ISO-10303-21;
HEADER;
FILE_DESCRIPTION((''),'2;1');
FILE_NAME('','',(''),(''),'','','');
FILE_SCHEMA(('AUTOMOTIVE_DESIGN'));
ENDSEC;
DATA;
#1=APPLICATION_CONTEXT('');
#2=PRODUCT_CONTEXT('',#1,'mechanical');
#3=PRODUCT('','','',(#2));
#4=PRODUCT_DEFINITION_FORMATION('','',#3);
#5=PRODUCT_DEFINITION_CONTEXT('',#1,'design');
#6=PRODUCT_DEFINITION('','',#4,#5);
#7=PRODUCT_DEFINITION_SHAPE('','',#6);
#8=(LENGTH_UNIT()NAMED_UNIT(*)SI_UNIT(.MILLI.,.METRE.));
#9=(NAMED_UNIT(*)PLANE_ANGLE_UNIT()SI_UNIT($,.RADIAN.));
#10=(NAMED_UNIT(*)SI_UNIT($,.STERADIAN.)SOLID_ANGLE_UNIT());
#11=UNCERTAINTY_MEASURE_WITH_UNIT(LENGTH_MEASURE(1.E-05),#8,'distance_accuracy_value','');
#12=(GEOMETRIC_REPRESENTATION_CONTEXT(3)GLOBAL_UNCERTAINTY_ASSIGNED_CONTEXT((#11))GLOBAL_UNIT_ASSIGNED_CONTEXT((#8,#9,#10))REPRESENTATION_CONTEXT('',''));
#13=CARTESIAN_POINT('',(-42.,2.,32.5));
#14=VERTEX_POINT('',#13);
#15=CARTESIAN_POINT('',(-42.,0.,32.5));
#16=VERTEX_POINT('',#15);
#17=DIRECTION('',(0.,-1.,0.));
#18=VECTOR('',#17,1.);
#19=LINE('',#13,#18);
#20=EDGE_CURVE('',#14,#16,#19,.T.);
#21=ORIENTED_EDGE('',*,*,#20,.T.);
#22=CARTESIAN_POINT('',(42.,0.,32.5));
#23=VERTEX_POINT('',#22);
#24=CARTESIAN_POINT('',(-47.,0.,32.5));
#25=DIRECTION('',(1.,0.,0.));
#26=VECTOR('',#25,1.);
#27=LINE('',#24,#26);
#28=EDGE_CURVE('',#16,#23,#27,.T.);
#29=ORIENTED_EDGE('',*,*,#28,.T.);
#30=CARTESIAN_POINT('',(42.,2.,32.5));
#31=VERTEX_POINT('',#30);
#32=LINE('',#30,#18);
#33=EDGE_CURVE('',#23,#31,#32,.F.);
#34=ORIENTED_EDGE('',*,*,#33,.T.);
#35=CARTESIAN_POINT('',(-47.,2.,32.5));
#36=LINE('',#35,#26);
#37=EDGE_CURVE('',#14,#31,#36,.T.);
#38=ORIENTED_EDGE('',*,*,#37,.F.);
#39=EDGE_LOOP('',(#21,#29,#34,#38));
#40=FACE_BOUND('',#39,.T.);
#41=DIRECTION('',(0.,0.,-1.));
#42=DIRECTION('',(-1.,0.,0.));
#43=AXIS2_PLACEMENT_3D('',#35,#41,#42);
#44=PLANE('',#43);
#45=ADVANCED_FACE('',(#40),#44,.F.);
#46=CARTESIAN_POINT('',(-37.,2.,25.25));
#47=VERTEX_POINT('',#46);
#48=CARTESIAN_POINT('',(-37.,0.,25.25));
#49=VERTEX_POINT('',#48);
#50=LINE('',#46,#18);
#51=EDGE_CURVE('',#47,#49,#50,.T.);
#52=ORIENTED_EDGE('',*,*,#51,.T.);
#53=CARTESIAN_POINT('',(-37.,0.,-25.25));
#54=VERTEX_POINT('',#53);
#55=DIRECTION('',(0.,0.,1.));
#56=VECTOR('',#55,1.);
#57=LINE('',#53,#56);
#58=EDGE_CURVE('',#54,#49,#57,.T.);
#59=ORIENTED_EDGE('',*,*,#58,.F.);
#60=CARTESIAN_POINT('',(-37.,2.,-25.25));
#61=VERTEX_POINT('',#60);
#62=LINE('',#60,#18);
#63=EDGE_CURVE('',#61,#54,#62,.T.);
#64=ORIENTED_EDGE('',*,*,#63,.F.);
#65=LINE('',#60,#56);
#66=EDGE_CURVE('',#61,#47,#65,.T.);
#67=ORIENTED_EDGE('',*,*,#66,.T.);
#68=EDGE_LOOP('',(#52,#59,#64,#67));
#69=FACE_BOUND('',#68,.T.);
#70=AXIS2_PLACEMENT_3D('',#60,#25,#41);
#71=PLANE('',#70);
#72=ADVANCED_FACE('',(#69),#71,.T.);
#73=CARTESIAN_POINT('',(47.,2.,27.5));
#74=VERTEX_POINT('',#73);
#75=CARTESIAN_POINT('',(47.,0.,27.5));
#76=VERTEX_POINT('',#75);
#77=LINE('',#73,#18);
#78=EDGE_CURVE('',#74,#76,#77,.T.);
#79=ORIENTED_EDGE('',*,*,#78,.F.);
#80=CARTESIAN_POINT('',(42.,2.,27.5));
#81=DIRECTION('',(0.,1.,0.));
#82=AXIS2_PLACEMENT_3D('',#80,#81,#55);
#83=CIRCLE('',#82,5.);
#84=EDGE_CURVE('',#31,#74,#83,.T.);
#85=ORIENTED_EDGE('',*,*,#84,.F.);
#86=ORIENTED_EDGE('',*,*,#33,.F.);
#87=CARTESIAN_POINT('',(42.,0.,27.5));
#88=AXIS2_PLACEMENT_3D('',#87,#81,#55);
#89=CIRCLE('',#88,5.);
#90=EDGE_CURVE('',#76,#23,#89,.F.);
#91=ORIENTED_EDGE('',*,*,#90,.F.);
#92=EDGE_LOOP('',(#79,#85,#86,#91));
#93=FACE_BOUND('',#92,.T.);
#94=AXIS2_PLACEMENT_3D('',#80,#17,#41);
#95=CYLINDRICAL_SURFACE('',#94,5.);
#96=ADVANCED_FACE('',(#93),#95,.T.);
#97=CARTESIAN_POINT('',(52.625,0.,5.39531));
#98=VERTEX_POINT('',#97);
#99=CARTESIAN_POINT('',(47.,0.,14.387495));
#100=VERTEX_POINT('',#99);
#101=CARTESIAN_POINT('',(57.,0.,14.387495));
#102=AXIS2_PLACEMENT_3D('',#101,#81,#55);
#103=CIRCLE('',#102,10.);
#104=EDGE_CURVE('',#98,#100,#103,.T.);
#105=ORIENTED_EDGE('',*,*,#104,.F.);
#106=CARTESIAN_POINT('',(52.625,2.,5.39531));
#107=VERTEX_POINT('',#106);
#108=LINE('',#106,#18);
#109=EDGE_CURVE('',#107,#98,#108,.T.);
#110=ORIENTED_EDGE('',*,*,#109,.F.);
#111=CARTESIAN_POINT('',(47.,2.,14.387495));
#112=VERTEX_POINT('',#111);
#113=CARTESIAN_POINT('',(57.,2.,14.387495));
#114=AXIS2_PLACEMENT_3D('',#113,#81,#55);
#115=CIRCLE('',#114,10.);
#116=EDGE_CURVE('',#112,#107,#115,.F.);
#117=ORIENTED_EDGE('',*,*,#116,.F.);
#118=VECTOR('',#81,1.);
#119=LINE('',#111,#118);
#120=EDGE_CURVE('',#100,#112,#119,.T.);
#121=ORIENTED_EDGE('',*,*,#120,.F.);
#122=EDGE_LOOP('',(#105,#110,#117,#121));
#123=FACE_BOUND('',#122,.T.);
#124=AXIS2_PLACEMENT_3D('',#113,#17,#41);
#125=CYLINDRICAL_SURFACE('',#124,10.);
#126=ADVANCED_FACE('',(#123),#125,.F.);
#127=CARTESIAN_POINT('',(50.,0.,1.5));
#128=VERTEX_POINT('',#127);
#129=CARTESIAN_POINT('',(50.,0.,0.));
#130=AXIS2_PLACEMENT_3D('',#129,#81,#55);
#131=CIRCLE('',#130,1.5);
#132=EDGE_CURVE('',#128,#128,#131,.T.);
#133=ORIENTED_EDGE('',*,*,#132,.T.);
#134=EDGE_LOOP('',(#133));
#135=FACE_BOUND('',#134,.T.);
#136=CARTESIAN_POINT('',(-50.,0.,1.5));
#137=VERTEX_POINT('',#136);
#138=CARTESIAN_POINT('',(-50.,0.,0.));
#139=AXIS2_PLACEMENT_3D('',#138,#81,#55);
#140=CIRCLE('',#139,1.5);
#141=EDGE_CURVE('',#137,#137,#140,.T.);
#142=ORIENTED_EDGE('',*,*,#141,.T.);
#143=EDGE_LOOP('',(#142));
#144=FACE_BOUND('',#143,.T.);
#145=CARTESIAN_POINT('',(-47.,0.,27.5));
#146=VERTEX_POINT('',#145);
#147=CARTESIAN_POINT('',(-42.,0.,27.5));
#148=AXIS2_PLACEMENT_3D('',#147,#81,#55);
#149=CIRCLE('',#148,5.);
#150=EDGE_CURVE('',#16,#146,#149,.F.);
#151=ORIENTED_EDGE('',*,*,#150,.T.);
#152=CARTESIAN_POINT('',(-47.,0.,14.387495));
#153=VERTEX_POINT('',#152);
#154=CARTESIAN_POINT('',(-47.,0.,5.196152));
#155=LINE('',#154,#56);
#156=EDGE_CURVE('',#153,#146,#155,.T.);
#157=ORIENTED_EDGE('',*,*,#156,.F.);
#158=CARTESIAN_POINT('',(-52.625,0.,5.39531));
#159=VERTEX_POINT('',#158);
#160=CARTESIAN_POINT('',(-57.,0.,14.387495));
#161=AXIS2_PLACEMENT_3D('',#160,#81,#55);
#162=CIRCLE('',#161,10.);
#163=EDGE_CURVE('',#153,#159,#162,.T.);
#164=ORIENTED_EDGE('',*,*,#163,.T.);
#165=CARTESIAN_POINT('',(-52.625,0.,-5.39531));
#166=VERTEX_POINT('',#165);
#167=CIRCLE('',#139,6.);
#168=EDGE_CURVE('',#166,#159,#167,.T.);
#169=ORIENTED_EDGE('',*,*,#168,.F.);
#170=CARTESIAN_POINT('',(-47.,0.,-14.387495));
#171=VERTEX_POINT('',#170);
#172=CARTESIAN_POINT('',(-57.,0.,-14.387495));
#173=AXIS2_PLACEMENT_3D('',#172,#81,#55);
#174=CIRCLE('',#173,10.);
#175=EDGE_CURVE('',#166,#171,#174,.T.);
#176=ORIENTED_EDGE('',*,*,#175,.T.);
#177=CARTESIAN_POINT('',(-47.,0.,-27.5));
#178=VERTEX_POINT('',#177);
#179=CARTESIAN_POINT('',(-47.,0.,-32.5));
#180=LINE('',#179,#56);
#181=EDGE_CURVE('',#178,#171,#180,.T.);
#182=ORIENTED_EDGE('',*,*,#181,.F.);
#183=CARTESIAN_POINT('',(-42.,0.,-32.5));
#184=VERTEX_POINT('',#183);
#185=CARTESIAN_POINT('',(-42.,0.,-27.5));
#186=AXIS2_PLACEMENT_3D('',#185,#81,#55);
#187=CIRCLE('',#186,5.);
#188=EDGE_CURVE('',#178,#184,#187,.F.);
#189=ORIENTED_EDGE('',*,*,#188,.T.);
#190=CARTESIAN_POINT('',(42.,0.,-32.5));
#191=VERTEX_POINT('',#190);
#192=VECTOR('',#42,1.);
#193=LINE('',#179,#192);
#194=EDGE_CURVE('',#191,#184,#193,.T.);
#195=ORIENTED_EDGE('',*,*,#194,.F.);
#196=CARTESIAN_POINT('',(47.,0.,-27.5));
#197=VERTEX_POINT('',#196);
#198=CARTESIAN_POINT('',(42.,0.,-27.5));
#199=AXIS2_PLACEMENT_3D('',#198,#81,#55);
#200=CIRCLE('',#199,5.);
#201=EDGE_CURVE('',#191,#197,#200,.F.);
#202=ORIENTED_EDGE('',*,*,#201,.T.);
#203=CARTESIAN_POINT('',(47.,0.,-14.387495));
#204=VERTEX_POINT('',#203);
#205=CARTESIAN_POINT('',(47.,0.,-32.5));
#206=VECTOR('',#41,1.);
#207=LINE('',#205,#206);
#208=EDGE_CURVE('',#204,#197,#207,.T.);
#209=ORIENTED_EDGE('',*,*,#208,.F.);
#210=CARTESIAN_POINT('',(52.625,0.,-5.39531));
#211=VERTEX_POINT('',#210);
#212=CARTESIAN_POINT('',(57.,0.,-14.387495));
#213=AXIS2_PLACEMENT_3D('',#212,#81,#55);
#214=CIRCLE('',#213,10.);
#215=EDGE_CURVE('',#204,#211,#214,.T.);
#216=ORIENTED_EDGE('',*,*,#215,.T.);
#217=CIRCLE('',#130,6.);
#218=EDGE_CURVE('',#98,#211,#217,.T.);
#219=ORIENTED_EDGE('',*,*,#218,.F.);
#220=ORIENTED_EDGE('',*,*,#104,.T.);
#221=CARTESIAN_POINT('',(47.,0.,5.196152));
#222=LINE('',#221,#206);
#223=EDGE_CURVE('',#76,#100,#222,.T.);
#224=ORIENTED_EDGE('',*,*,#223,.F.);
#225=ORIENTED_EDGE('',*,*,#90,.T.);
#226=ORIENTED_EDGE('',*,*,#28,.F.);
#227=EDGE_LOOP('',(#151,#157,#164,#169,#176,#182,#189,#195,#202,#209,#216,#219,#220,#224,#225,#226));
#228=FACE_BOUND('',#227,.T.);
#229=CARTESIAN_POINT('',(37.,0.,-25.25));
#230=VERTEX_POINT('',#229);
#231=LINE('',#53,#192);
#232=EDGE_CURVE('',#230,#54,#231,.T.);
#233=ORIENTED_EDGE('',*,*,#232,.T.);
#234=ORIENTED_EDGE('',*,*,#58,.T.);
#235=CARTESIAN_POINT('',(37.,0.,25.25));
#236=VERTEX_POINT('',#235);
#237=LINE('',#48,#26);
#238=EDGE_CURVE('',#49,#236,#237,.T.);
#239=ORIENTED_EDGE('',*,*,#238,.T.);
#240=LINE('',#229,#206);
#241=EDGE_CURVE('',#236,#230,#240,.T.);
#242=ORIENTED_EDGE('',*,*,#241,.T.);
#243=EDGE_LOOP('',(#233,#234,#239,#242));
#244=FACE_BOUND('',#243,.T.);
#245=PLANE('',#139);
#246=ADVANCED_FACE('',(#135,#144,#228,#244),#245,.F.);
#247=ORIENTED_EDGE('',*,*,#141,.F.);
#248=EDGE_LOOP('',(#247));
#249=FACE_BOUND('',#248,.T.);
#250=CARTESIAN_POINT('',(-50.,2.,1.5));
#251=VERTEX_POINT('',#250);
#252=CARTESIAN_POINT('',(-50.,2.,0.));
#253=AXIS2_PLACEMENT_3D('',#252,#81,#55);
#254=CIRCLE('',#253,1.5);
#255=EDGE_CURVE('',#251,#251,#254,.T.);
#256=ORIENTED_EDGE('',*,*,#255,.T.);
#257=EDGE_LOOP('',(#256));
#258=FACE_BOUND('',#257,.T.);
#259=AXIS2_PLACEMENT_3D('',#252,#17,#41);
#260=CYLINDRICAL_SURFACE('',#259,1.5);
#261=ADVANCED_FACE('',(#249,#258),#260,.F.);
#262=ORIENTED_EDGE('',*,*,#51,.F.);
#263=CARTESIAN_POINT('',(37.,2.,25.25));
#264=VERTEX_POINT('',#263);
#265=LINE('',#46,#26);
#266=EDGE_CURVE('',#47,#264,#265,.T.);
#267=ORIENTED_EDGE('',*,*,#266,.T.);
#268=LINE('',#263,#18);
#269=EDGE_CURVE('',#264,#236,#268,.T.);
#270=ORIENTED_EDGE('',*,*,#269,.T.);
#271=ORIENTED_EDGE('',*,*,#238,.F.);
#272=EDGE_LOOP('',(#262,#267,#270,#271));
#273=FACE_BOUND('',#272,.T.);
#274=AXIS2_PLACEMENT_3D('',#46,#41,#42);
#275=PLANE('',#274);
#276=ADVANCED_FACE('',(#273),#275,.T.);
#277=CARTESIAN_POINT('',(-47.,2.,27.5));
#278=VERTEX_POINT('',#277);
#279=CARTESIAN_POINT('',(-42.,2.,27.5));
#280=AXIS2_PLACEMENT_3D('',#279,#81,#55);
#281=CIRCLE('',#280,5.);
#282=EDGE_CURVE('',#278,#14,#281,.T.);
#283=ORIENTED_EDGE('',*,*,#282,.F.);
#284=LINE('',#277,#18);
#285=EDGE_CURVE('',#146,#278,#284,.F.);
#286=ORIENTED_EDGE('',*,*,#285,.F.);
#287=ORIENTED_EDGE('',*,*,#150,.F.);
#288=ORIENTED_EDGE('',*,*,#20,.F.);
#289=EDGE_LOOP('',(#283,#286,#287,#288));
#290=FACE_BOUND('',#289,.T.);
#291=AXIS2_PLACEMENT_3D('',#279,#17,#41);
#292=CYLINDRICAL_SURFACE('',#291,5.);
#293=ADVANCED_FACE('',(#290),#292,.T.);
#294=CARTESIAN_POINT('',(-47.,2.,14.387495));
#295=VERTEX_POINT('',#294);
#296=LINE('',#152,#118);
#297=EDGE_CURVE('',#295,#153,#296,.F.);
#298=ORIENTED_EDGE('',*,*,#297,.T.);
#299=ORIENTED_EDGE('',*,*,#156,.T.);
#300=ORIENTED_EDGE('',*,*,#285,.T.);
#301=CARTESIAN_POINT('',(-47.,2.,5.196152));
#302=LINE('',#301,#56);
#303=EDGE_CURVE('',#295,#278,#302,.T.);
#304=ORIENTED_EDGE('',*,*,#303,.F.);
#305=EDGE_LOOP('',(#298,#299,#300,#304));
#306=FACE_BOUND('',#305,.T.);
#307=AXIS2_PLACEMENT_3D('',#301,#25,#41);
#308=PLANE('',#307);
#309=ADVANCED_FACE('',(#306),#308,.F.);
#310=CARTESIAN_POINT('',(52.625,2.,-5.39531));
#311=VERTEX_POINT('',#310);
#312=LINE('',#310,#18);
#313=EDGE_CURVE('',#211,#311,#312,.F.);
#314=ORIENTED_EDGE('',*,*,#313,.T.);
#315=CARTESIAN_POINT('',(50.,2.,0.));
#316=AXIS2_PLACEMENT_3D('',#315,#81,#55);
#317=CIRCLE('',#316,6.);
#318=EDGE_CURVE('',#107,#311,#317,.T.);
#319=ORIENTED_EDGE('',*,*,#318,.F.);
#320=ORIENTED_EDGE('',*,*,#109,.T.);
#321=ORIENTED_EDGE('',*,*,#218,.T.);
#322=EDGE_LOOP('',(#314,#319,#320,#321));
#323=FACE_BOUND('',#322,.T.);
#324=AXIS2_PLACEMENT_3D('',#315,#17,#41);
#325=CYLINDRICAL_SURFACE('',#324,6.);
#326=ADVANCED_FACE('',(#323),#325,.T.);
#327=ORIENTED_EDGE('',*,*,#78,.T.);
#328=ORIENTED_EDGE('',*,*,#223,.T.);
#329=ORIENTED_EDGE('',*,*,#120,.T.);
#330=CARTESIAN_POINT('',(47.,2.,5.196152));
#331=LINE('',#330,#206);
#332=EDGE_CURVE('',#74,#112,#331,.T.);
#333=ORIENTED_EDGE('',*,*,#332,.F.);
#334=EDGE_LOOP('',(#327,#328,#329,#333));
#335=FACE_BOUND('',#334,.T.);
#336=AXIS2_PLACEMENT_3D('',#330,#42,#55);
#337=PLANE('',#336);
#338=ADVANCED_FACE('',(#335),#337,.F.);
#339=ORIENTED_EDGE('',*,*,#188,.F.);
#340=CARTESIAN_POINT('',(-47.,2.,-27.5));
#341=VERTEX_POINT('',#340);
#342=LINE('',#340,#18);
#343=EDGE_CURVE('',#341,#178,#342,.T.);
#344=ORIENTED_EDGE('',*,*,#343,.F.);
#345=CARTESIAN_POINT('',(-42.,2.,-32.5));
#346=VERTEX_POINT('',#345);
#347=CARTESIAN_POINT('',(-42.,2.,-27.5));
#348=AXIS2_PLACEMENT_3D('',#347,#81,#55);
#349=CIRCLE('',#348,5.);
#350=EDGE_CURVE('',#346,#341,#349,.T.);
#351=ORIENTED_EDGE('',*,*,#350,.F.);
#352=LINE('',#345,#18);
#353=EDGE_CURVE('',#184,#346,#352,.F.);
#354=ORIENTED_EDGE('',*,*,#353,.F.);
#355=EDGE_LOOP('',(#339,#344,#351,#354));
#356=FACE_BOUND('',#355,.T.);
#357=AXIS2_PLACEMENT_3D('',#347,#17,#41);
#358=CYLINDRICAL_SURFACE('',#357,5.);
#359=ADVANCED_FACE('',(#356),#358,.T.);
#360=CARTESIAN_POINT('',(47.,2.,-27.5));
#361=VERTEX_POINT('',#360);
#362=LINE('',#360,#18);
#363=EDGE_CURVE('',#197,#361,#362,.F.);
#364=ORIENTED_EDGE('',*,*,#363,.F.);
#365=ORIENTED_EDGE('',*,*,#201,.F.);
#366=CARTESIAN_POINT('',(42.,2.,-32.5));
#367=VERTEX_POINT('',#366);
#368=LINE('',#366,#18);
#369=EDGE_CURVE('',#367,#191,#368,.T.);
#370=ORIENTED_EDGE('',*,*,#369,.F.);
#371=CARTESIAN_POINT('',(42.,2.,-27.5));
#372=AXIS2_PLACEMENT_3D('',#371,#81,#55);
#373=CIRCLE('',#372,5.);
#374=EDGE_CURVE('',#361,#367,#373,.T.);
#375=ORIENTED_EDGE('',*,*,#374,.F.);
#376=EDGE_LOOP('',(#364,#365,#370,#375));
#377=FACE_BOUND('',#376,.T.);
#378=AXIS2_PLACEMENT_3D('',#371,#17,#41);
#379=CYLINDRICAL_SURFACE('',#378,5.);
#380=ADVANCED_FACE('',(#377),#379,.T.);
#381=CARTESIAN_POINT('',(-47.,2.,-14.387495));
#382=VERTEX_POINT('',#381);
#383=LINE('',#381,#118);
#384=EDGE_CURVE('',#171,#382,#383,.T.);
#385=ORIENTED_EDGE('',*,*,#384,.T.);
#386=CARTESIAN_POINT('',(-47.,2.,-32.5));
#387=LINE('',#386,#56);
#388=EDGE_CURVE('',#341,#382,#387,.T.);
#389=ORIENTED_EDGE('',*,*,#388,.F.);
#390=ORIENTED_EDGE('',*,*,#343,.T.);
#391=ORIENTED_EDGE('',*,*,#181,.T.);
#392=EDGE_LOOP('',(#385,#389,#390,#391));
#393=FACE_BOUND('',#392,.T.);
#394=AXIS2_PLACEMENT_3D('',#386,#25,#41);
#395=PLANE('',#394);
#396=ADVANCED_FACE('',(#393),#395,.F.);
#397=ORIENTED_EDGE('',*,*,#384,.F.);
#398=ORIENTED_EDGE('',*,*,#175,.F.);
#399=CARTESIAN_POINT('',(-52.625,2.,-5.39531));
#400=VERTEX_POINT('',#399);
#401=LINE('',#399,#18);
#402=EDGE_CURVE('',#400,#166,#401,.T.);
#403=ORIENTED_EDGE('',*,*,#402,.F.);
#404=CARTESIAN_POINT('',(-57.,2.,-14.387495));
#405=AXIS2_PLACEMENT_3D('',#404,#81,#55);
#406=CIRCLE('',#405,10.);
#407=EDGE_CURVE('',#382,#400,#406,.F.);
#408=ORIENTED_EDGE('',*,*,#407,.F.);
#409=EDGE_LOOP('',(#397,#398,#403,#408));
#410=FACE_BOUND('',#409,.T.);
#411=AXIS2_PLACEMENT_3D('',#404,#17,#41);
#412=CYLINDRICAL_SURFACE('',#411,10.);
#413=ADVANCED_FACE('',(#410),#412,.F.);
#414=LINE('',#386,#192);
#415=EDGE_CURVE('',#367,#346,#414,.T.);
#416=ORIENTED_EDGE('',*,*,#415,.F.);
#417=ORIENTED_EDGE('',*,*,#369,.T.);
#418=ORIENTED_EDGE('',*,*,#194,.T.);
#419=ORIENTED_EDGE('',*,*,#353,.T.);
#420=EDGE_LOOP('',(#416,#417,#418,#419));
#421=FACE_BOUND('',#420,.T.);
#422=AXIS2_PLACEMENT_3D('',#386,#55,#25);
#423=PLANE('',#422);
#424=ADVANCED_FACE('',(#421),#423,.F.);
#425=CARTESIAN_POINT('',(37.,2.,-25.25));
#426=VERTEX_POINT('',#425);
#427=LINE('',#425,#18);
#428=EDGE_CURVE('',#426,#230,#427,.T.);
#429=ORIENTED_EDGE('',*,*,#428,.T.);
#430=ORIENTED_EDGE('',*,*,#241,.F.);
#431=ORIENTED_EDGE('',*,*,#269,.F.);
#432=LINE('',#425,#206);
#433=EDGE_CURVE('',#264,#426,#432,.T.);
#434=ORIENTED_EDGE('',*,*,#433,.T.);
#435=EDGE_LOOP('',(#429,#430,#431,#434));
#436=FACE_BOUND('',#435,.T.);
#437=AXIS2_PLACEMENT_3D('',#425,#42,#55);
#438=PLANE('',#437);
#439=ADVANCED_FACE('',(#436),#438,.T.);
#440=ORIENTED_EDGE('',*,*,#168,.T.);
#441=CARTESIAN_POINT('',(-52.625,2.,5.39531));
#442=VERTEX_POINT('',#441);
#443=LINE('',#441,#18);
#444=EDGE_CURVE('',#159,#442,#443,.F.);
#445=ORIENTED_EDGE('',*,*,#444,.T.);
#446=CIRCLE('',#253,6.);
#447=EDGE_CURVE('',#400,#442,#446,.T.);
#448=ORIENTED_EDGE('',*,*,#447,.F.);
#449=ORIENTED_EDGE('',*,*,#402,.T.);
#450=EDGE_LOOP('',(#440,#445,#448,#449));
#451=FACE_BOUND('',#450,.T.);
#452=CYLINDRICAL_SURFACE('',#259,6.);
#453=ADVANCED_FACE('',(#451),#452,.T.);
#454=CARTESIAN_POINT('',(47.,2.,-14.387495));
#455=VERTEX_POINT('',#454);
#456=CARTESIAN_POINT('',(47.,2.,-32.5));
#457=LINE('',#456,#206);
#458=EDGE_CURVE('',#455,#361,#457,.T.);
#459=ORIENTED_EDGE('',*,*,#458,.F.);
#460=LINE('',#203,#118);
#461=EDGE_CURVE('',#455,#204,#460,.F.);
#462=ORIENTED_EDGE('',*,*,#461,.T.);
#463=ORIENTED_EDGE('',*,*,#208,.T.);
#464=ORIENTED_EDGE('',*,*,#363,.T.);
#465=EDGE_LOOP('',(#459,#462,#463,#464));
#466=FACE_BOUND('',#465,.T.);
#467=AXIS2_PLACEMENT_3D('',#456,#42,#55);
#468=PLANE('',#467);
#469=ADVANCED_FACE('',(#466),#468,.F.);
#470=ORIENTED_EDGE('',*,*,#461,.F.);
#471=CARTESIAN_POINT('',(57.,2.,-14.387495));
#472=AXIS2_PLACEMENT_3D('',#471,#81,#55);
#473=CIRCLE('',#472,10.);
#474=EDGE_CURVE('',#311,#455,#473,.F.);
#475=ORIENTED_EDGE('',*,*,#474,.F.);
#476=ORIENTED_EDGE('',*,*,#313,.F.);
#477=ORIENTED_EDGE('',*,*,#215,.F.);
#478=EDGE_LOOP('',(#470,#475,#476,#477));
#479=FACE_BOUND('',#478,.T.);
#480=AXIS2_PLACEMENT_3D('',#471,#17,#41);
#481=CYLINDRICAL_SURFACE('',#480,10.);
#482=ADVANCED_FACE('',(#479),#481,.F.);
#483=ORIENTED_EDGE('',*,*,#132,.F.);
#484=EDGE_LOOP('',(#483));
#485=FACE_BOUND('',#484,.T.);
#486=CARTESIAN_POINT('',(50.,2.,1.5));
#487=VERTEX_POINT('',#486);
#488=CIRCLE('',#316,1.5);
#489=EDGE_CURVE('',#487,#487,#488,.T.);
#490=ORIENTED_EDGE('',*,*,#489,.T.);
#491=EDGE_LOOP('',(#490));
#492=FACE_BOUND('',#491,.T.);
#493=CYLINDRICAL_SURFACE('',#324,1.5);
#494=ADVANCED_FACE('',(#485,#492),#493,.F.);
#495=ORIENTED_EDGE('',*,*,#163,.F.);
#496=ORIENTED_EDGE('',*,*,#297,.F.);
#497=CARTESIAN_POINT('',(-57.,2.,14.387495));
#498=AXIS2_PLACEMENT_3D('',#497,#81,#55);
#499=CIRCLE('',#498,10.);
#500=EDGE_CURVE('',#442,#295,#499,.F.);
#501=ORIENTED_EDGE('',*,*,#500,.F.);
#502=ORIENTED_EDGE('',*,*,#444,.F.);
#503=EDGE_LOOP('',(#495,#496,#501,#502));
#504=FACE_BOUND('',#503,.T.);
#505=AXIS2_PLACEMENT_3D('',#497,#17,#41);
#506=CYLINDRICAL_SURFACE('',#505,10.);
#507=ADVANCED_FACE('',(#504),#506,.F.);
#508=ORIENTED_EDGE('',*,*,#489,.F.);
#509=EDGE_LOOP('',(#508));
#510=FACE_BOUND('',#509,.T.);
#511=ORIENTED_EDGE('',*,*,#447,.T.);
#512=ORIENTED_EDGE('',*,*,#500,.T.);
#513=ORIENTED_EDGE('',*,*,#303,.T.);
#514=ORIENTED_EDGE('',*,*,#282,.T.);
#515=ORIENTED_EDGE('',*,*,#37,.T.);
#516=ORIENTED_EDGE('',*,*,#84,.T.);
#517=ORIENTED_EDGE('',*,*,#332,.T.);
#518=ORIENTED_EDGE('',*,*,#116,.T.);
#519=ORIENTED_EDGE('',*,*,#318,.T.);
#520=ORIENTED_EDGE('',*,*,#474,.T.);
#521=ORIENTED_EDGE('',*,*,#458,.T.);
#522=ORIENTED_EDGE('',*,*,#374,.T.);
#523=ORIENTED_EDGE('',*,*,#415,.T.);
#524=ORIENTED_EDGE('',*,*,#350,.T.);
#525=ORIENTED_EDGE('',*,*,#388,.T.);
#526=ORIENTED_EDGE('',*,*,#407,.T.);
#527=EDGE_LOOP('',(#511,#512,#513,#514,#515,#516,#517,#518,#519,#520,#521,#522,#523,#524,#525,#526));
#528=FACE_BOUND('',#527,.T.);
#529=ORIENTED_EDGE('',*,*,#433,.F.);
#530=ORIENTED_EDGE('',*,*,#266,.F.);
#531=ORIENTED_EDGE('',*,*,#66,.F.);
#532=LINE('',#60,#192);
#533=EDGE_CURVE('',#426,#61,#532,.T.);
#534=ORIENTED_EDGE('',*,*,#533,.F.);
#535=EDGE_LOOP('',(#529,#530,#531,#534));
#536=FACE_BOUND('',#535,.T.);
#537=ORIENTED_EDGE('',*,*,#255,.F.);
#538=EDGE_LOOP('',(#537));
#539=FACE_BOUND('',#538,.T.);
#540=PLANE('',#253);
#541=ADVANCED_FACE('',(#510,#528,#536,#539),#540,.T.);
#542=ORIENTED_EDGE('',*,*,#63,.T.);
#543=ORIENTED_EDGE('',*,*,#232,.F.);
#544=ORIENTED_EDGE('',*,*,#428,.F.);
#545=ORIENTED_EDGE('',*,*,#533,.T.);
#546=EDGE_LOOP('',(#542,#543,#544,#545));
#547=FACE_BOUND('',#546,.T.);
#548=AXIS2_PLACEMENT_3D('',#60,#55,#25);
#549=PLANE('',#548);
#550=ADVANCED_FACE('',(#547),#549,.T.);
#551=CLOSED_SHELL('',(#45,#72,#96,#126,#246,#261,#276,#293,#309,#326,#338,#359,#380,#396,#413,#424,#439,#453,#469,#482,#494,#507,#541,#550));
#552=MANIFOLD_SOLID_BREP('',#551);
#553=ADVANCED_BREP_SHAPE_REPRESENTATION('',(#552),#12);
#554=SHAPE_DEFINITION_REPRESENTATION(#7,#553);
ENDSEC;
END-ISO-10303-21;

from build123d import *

# Parameters (mm, degrees)
SKETCH2_R           = 1.5
SKETCH2_W           = 74
SKETCH2_H           = 50.5
BOSS_EXTRUDE1_DEPTH = 2
FILLET1_R           = 5
FILLET2_R           = 10


with BuildPart() as part:
    # Sketch2 → Boss-Extrude1 (new body)
    with BuildSketch(Plane(origin=(0, 0, 0), x_dir=(1, 0, 0), z_dir=(0, 1, 0))):
        with BuildLine():
            Line((-47, 32.5), (47, 32.5))
            Line((47, 32.5), (47, 5.196152423))
            ThreePointArc((47, 5.196152423), (56, 0), (47, -5.196152423))
            Line((47, -5.196152423), (47, -32.5))
            Line((47, -32.5), (-47, -32.5))
            Line((-47, -32.5), (-47, -5.196152423))
            ThreePointArc((-47, -5.196152423), (-56, 0), (-47, 5.196152423))
            Line((-47, 5.196152423), (-47, 32.5))
        make_face()
        with Locations(Location((-50, 0, 0), (0, 0, 270))):
            Circle(SKETCH2_R, mode=Mode.SUBTRACT)
        with Locations(Location((50, 0, 0), (0, 0, 270))):
            Circle(SKETCH2_R, mode=Mode.SUBTRACT)
        Rectangle(SKETCH2_W, SKETCH2_H, mode=Mode.SUBTRACT)
    extrude(amount=BOSS_EXTRUDE1_DEPTH)

    # Fillet1
    fillet1_edges = [part.edges().sort_by_distance(p)[0] for p in [
        (-47, 1, -32.5),
        (47, 1, -32.5),
        (47, 1, 32.5),
        (-47, 1, 32.5),
    ]]
    fillet(fillet1_edges, radius=FILLET1_R)

    # Fillet2
    fillet2_edges = [part.edges().sort_by_distance(p)[0] for p in [
        (47, 1, -5.196152423),
        (47, 1, 5.196152423),
        (-47, 1, 5.196152423),
        (-47, 1, -5.196152423),
    ]]
    fillet(fillet2_edges, radius=FILLET2_R)


solid = part.part
